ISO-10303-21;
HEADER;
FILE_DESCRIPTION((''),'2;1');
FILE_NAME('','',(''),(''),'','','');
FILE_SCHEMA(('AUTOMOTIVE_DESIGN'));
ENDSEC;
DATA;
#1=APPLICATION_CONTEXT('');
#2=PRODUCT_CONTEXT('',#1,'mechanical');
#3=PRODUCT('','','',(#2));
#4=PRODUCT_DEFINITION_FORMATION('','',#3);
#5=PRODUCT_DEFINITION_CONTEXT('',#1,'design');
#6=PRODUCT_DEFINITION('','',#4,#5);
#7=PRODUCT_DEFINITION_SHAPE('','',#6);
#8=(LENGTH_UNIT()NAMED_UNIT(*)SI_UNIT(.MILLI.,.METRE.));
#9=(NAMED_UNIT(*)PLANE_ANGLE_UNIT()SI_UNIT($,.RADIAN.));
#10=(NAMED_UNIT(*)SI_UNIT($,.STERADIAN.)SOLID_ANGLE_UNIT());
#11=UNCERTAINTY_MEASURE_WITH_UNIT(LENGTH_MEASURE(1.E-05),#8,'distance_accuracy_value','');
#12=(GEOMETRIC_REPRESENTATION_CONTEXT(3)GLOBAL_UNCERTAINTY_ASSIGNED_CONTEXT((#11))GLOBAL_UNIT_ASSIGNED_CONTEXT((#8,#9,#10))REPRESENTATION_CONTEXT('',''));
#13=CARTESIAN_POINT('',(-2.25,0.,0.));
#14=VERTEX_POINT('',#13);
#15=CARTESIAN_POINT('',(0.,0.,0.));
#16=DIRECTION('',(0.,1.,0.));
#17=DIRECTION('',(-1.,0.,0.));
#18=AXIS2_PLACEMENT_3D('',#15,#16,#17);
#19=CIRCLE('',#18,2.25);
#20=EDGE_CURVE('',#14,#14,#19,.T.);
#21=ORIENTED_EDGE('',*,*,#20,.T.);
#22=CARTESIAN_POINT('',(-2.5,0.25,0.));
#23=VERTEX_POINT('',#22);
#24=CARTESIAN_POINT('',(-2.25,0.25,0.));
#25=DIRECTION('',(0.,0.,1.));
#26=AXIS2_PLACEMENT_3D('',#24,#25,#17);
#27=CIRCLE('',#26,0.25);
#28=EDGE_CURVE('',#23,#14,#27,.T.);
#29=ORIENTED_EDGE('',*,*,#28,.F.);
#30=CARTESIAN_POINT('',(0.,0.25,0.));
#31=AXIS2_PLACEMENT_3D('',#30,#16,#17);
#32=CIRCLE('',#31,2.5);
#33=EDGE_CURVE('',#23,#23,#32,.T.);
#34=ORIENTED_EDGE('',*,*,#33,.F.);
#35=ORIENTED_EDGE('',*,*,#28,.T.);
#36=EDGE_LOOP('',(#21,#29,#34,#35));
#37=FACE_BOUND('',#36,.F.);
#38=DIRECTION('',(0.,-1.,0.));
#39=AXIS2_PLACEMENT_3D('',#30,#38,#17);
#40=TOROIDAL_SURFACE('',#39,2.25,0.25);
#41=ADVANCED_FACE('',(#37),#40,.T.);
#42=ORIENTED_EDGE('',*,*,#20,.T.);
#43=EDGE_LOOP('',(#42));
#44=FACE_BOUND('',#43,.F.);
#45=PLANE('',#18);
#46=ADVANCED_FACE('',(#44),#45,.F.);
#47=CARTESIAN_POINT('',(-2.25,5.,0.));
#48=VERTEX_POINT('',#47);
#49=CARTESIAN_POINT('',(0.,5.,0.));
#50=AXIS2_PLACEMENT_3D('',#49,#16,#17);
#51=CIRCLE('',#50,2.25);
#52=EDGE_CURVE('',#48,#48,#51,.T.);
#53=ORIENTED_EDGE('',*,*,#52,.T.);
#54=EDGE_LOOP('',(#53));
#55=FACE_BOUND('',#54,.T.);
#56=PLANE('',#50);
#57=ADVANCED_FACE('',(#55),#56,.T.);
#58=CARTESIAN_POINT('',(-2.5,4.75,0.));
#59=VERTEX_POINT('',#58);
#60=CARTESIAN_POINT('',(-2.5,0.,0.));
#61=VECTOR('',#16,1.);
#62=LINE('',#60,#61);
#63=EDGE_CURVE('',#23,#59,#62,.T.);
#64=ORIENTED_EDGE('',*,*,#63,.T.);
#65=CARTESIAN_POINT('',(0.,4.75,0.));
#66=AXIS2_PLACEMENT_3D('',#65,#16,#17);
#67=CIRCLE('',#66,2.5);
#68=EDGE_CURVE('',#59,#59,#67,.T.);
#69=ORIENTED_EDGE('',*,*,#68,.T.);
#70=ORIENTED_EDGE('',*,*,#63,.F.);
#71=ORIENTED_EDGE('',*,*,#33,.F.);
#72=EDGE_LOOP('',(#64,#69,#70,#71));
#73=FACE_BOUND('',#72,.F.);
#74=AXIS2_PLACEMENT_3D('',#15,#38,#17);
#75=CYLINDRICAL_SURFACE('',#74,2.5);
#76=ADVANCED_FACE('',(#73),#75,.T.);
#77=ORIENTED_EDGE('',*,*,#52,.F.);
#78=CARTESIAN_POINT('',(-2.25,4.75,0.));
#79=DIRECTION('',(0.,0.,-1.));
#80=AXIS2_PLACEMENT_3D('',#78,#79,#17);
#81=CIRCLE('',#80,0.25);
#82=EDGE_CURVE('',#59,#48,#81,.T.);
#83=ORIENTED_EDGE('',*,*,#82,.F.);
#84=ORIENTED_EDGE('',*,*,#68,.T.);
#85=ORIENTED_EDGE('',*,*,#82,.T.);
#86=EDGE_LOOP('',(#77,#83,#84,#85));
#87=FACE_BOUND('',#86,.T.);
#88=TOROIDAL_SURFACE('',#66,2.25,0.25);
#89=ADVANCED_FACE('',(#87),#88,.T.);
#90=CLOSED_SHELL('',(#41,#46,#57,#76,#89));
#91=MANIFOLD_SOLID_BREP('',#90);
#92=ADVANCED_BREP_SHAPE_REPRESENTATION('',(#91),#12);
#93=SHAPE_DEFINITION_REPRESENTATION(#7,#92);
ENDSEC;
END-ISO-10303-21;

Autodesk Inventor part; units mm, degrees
ref_plane "YZ Plane" through (0, 0, 0) normal (1, 0, 0) x (0, 1, 0)
ref_plane "XZ Plane" through (0, 0, 0) normal (0, 1, 0) x (-1, 0, 0)
ref_plane "XY Plane" through (0, 0, 0) normal (0, 0, 1) x (1, 0, 0)
sketch "Sketch1" plane through (0, 0, 0) normal (0, 1, 0) x (-1, 0, 0)
  circle A0 centre (0, 0) radius 2.5
  dimension "d0" = 5
extrude "Extrusion1" add sketch "Sketch1" along normal blind 5
fillet "Fillet1" radius 0.25 2 edges at (2.5, 0, 0) (2.5, 5, 0)
properties part number "Magnets"
